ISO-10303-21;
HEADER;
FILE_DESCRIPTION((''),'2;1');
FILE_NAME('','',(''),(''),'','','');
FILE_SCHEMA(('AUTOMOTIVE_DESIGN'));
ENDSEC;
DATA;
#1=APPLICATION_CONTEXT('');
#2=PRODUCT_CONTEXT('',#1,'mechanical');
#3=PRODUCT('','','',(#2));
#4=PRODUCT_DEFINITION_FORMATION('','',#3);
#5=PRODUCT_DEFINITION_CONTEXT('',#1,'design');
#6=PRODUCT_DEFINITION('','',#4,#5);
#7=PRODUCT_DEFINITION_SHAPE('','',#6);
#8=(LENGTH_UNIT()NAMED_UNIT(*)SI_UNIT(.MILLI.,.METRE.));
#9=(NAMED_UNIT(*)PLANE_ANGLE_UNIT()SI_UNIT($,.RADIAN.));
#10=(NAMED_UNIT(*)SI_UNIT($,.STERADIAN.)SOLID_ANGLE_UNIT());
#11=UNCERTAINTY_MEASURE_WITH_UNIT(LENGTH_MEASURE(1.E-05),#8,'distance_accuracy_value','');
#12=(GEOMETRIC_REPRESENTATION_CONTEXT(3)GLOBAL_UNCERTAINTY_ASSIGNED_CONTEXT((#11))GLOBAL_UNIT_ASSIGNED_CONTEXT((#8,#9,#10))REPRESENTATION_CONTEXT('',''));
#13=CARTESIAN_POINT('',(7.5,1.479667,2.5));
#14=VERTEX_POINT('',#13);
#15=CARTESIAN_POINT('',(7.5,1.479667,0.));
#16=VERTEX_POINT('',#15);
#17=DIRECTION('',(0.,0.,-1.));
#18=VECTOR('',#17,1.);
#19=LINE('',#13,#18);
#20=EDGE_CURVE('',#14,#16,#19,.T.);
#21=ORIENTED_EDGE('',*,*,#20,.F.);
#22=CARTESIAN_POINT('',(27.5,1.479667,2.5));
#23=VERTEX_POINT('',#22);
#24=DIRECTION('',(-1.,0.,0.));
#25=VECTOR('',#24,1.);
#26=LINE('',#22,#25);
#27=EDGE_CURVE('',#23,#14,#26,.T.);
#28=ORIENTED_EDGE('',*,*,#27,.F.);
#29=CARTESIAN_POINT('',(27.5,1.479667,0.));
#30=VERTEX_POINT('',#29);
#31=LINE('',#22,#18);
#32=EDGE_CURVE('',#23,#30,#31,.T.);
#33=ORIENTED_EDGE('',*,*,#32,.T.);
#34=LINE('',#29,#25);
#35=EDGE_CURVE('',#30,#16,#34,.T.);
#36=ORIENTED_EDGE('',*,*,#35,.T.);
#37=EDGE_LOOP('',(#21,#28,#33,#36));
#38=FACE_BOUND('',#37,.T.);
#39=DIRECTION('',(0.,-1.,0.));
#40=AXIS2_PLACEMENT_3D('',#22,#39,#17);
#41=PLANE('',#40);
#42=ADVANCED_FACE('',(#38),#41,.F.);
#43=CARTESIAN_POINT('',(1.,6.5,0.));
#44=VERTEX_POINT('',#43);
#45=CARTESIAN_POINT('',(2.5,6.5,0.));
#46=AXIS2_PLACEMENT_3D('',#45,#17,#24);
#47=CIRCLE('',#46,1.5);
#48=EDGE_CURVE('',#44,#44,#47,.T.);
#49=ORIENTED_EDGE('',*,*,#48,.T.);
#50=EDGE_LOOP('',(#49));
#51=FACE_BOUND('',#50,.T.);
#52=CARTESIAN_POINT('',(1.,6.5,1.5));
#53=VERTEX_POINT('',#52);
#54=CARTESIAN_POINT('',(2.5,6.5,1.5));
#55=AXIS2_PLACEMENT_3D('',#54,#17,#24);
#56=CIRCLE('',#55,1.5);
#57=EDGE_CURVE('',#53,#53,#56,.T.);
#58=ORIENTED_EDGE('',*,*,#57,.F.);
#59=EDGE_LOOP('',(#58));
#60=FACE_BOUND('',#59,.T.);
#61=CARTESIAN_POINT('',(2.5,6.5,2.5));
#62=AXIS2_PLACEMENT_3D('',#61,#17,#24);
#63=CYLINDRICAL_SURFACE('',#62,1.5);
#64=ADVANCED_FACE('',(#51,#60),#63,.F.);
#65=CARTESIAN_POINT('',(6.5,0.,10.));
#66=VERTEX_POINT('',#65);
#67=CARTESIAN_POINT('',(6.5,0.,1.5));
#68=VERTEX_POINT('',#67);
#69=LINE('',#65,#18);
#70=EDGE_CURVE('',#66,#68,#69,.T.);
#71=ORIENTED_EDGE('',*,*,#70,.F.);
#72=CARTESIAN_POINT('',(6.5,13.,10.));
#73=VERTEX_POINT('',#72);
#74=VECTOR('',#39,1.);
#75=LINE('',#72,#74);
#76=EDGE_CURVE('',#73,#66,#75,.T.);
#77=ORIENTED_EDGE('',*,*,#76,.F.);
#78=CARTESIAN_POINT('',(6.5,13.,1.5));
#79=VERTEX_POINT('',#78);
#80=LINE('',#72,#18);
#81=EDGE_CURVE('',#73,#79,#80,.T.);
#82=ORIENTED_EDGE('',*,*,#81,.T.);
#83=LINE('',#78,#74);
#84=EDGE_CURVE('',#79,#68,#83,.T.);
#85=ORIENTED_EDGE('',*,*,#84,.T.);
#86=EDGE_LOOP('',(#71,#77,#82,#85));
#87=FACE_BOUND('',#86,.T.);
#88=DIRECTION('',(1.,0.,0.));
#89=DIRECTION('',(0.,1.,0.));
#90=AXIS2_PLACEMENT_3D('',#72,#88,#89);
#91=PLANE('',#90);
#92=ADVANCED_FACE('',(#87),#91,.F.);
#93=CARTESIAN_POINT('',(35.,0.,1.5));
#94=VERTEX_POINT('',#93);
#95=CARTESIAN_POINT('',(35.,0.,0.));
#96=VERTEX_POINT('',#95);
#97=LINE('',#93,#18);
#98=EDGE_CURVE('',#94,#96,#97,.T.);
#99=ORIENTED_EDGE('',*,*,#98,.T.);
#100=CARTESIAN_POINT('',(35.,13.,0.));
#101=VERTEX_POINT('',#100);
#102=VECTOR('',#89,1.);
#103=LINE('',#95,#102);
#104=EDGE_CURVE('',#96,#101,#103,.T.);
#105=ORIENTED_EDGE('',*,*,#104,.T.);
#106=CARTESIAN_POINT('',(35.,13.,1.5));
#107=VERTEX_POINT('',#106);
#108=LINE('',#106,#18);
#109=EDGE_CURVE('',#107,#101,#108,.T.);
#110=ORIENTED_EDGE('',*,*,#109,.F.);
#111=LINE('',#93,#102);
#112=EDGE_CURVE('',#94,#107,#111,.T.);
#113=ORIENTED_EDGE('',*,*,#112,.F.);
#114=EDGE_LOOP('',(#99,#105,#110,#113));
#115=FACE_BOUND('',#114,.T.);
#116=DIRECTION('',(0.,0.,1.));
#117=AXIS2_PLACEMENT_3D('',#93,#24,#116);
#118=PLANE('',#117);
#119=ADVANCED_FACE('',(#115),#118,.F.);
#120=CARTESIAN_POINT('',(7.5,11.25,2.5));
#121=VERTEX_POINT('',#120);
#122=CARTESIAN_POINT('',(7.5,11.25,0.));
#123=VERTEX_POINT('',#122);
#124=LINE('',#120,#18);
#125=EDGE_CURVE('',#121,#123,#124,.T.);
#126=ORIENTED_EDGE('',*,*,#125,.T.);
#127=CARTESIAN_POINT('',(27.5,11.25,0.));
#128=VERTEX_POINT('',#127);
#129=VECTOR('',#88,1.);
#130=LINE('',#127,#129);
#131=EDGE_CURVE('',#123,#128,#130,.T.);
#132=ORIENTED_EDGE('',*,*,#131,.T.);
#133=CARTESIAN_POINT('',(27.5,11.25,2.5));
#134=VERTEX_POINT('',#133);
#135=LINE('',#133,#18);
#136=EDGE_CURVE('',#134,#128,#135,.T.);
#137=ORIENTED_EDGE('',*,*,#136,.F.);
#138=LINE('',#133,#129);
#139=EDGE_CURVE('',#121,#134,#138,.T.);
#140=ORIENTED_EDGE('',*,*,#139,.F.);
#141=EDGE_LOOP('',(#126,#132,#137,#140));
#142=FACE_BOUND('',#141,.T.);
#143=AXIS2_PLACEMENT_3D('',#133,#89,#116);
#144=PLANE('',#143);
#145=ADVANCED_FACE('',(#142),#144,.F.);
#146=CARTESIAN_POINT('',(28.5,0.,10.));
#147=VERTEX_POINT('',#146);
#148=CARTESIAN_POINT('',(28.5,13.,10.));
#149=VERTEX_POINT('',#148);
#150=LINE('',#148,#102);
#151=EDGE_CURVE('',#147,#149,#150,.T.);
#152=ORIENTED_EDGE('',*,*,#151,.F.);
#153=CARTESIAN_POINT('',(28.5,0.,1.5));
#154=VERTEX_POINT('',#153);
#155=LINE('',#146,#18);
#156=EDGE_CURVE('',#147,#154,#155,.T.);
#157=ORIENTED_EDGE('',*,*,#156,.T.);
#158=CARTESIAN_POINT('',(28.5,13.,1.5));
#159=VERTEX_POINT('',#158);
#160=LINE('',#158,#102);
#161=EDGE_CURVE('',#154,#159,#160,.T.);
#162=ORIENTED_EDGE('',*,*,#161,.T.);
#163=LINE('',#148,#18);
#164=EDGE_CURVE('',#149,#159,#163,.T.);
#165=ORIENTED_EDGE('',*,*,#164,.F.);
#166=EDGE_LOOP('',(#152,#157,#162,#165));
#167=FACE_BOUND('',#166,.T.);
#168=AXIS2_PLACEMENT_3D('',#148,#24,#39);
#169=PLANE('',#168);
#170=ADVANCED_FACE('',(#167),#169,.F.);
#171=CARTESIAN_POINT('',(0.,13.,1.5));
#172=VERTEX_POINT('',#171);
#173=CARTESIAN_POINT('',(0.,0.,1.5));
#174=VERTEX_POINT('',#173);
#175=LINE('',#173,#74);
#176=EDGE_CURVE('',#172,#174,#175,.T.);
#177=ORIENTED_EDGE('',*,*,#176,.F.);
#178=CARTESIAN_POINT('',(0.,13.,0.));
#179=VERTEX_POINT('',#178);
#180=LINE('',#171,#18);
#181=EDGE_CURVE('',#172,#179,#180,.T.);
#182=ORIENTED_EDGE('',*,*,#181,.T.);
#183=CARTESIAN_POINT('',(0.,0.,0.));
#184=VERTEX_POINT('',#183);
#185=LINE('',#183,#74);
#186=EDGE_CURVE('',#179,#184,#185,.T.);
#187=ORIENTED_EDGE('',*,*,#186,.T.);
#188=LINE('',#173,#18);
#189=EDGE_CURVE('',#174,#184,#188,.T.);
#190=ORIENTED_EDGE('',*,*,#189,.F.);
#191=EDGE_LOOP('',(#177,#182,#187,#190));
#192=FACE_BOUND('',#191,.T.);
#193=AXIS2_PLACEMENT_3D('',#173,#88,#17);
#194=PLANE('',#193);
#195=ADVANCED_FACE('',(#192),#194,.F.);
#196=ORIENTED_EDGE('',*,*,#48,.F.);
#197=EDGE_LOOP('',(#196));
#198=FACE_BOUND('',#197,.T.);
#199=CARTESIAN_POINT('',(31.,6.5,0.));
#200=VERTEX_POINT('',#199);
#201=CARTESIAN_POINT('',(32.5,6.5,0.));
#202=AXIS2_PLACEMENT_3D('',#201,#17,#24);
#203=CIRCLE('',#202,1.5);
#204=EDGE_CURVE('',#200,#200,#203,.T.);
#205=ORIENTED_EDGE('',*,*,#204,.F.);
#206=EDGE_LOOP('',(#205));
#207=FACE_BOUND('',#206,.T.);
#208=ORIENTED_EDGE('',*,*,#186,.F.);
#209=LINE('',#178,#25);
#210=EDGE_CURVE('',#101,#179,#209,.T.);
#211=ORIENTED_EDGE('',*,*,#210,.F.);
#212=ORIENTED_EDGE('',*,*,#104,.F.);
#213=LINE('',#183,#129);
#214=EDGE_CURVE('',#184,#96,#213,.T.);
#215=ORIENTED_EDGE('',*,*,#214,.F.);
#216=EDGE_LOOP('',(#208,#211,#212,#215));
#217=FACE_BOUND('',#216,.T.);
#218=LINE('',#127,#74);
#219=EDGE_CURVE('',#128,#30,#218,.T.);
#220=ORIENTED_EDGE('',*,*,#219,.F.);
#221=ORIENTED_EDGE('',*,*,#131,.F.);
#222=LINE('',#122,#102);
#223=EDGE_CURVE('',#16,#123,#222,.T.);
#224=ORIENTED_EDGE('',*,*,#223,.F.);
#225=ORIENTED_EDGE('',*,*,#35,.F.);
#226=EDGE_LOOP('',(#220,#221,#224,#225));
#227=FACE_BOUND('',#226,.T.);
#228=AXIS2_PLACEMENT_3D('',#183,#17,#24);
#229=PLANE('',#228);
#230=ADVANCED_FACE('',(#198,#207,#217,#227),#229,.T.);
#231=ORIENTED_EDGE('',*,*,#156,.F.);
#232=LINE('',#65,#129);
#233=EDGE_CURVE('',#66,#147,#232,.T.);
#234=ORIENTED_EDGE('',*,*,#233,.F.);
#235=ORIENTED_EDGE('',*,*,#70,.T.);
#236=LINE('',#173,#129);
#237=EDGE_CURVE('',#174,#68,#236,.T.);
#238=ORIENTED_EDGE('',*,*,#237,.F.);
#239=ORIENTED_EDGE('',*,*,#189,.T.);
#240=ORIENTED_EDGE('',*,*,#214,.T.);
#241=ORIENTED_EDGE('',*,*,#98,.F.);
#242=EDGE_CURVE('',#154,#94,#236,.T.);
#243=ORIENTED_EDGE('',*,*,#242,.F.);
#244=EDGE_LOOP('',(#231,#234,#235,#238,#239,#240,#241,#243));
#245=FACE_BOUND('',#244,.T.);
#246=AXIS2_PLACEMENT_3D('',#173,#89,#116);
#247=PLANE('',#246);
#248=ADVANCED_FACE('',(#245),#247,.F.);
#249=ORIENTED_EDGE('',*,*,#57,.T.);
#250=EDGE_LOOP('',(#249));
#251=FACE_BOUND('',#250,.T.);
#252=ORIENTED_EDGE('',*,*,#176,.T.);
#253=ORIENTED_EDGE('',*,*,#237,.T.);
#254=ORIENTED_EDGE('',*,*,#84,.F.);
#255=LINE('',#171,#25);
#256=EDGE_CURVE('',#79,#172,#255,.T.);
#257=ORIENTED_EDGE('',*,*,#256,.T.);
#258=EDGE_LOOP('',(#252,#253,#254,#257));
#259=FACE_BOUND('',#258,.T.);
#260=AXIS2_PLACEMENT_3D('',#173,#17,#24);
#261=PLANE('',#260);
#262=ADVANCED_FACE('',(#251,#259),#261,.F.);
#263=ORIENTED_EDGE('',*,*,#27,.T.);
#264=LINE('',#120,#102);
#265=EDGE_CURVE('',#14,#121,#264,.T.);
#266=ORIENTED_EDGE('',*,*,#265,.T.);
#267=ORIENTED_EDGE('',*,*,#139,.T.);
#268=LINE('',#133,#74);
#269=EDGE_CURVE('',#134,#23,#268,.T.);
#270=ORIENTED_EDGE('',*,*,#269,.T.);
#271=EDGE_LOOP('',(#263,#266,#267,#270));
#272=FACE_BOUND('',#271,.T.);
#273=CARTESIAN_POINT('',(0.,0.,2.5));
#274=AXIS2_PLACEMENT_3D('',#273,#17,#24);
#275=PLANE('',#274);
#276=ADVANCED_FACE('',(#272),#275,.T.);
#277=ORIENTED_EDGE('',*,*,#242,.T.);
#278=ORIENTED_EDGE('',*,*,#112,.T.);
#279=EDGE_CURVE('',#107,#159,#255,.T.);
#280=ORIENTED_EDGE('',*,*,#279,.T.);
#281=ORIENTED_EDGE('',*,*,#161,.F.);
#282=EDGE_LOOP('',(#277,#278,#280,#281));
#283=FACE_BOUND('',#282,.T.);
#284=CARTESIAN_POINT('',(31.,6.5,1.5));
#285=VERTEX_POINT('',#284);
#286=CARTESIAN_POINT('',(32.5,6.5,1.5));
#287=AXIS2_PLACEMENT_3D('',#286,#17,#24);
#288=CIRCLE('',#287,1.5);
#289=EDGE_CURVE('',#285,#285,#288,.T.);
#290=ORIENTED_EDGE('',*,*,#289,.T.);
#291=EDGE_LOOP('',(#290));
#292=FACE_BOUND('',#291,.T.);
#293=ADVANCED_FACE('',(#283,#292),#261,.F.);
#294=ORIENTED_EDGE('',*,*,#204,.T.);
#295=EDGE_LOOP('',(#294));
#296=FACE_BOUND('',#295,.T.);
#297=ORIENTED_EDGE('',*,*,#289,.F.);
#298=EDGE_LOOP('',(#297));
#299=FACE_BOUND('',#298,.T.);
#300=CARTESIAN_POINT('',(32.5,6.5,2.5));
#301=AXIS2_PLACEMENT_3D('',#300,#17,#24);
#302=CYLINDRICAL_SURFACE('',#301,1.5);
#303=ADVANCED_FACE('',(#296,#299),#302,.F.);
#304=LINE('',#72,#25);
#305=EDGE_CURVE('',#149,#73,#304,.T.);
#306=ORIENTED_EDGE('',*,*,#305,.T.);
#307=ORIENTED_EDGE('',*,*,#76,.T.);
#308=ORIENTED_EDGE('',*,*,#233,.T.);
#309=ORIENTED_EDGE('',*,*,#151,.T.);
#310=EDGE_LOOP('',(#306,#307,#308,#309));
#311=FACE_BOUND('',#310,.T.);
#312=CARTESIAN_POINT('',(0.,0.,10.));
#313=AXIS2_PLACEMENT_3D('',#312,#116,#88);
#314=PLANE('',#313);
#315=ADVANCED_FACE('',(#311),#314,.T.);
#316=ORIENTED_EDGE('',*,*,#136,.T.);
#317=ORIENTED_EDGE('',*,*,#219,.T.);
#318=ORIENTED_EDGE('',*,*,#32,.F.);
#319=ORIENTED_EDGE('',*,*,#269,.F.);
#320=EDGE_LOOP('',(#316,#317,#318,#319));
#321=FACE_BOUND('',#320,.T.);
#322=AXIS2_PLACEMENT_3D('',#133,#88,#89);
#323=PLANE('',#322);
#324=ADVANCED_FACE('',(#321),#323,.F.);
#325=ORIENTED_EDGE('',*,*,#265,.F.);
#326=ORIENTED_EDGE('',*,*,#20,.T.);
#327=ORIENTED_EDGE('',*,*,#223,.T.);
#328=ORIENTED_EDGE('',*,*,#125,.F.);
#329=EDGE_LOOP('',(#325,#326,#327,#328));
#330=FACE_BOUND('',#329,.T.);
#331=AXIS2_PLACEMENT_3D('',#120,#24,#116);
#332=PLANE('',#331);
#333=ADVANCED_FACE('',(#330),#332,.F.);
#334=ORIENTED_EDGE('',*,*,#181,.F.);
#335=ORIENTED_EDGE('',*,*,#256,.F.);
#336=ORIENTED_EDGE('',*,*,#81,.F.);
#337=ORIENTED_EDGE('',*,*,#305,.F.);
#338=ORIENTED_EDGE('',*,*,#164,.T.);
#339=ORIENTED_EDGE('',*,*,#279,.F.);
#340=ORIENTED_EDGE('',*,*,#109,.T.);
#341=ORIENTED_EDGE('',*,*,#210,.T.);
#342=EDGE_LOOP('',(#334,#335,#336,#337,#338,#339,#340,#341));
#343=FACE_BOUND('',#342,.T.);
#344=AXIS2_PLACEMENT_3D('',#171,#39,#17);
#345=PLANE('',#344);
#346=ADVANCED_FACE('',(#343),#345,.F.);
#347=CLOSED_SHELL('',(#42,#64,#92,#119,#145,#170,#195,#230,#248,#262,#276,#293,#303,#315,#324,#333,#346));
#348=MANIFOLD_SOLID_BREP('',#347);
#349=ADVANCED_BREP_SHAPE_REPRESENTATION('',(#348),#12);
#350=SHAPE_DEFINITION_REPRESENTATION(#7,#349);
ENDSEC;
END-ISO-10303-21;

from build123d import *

# Parameters (mm, degrees)
ESBO_O1_W                = 35
ESBO_O1_H                = 13
RESSALTO_EXTRUS_O1_DEPTH = 1.5
ESBO_O2_W                = 22
ESBO_O2_H                = 13
RESSALTO_EXTRUS_O2_DEPTH = 8.5
ESBO_O3_W                = 20
ESBO_O3_H                = 9.770333273
CORTE_EXTRUS_O1_DEPTH    = 2.5
ESBO_O4_R                = 1.5
CORTE_EXTRUS_O2_DEPTH    = 2.5


with BuildPart() as part:
    # Esboço1 → Ressalto-extrusão1 (new body)
    with BuildSketch(Plane.XY):
        with Locations((17.5, 6.5)):
            Rectangle(ESBO_O1_W, ESBO_O1_H)
    extrude(amount=RESSALTO_EXTRUS_O1_DEPTH)

    # Esboço2 → Ressalto-extrusão2 (add)
    with BuildSketch(Plane.XY.offset(1.5)):
        with Locations((17.5, 6.5)):
            Rectangle(ESBO_O2_W, ESBO_O2_H)
    extrude(amount=RESSALTO_EXTRUS_O2_DEPTH)

    # Esboço3 → Corte-extrusão1 (cut)
    with BuildSketch(Plane(origin=(0, 0, 0), x_dir=(-1, 0, 0), z_dir=(0, 0, -1))):
        with Locations((-17.5, 6.364833363)):
            Rectangle(ESBO_O3_W, ESBO_O3_H)
    extrude(amount=-CORTE_EXTRUS_O1_DEPTH, mode=Mode.SUBTRACT)

    # Esboço4 → Corte-extrusão2 (cut)
    with BuildSketch(Plane(origin=(0, 0, 0), x_dir=(-1, 0, 0), z_dir=(0, 0, -1))):
        with Locations((-32.5, 6.5)):
            Circle(ESBO_O4_R)
        with Locations((-2.5, 6.5)):
            Circle(ESBO_O4_R)
    extrude(amount=-CORTE_EXTRUS_O2_DEPTH, mode=Mode.SUBTRACT)


solid = part.part
